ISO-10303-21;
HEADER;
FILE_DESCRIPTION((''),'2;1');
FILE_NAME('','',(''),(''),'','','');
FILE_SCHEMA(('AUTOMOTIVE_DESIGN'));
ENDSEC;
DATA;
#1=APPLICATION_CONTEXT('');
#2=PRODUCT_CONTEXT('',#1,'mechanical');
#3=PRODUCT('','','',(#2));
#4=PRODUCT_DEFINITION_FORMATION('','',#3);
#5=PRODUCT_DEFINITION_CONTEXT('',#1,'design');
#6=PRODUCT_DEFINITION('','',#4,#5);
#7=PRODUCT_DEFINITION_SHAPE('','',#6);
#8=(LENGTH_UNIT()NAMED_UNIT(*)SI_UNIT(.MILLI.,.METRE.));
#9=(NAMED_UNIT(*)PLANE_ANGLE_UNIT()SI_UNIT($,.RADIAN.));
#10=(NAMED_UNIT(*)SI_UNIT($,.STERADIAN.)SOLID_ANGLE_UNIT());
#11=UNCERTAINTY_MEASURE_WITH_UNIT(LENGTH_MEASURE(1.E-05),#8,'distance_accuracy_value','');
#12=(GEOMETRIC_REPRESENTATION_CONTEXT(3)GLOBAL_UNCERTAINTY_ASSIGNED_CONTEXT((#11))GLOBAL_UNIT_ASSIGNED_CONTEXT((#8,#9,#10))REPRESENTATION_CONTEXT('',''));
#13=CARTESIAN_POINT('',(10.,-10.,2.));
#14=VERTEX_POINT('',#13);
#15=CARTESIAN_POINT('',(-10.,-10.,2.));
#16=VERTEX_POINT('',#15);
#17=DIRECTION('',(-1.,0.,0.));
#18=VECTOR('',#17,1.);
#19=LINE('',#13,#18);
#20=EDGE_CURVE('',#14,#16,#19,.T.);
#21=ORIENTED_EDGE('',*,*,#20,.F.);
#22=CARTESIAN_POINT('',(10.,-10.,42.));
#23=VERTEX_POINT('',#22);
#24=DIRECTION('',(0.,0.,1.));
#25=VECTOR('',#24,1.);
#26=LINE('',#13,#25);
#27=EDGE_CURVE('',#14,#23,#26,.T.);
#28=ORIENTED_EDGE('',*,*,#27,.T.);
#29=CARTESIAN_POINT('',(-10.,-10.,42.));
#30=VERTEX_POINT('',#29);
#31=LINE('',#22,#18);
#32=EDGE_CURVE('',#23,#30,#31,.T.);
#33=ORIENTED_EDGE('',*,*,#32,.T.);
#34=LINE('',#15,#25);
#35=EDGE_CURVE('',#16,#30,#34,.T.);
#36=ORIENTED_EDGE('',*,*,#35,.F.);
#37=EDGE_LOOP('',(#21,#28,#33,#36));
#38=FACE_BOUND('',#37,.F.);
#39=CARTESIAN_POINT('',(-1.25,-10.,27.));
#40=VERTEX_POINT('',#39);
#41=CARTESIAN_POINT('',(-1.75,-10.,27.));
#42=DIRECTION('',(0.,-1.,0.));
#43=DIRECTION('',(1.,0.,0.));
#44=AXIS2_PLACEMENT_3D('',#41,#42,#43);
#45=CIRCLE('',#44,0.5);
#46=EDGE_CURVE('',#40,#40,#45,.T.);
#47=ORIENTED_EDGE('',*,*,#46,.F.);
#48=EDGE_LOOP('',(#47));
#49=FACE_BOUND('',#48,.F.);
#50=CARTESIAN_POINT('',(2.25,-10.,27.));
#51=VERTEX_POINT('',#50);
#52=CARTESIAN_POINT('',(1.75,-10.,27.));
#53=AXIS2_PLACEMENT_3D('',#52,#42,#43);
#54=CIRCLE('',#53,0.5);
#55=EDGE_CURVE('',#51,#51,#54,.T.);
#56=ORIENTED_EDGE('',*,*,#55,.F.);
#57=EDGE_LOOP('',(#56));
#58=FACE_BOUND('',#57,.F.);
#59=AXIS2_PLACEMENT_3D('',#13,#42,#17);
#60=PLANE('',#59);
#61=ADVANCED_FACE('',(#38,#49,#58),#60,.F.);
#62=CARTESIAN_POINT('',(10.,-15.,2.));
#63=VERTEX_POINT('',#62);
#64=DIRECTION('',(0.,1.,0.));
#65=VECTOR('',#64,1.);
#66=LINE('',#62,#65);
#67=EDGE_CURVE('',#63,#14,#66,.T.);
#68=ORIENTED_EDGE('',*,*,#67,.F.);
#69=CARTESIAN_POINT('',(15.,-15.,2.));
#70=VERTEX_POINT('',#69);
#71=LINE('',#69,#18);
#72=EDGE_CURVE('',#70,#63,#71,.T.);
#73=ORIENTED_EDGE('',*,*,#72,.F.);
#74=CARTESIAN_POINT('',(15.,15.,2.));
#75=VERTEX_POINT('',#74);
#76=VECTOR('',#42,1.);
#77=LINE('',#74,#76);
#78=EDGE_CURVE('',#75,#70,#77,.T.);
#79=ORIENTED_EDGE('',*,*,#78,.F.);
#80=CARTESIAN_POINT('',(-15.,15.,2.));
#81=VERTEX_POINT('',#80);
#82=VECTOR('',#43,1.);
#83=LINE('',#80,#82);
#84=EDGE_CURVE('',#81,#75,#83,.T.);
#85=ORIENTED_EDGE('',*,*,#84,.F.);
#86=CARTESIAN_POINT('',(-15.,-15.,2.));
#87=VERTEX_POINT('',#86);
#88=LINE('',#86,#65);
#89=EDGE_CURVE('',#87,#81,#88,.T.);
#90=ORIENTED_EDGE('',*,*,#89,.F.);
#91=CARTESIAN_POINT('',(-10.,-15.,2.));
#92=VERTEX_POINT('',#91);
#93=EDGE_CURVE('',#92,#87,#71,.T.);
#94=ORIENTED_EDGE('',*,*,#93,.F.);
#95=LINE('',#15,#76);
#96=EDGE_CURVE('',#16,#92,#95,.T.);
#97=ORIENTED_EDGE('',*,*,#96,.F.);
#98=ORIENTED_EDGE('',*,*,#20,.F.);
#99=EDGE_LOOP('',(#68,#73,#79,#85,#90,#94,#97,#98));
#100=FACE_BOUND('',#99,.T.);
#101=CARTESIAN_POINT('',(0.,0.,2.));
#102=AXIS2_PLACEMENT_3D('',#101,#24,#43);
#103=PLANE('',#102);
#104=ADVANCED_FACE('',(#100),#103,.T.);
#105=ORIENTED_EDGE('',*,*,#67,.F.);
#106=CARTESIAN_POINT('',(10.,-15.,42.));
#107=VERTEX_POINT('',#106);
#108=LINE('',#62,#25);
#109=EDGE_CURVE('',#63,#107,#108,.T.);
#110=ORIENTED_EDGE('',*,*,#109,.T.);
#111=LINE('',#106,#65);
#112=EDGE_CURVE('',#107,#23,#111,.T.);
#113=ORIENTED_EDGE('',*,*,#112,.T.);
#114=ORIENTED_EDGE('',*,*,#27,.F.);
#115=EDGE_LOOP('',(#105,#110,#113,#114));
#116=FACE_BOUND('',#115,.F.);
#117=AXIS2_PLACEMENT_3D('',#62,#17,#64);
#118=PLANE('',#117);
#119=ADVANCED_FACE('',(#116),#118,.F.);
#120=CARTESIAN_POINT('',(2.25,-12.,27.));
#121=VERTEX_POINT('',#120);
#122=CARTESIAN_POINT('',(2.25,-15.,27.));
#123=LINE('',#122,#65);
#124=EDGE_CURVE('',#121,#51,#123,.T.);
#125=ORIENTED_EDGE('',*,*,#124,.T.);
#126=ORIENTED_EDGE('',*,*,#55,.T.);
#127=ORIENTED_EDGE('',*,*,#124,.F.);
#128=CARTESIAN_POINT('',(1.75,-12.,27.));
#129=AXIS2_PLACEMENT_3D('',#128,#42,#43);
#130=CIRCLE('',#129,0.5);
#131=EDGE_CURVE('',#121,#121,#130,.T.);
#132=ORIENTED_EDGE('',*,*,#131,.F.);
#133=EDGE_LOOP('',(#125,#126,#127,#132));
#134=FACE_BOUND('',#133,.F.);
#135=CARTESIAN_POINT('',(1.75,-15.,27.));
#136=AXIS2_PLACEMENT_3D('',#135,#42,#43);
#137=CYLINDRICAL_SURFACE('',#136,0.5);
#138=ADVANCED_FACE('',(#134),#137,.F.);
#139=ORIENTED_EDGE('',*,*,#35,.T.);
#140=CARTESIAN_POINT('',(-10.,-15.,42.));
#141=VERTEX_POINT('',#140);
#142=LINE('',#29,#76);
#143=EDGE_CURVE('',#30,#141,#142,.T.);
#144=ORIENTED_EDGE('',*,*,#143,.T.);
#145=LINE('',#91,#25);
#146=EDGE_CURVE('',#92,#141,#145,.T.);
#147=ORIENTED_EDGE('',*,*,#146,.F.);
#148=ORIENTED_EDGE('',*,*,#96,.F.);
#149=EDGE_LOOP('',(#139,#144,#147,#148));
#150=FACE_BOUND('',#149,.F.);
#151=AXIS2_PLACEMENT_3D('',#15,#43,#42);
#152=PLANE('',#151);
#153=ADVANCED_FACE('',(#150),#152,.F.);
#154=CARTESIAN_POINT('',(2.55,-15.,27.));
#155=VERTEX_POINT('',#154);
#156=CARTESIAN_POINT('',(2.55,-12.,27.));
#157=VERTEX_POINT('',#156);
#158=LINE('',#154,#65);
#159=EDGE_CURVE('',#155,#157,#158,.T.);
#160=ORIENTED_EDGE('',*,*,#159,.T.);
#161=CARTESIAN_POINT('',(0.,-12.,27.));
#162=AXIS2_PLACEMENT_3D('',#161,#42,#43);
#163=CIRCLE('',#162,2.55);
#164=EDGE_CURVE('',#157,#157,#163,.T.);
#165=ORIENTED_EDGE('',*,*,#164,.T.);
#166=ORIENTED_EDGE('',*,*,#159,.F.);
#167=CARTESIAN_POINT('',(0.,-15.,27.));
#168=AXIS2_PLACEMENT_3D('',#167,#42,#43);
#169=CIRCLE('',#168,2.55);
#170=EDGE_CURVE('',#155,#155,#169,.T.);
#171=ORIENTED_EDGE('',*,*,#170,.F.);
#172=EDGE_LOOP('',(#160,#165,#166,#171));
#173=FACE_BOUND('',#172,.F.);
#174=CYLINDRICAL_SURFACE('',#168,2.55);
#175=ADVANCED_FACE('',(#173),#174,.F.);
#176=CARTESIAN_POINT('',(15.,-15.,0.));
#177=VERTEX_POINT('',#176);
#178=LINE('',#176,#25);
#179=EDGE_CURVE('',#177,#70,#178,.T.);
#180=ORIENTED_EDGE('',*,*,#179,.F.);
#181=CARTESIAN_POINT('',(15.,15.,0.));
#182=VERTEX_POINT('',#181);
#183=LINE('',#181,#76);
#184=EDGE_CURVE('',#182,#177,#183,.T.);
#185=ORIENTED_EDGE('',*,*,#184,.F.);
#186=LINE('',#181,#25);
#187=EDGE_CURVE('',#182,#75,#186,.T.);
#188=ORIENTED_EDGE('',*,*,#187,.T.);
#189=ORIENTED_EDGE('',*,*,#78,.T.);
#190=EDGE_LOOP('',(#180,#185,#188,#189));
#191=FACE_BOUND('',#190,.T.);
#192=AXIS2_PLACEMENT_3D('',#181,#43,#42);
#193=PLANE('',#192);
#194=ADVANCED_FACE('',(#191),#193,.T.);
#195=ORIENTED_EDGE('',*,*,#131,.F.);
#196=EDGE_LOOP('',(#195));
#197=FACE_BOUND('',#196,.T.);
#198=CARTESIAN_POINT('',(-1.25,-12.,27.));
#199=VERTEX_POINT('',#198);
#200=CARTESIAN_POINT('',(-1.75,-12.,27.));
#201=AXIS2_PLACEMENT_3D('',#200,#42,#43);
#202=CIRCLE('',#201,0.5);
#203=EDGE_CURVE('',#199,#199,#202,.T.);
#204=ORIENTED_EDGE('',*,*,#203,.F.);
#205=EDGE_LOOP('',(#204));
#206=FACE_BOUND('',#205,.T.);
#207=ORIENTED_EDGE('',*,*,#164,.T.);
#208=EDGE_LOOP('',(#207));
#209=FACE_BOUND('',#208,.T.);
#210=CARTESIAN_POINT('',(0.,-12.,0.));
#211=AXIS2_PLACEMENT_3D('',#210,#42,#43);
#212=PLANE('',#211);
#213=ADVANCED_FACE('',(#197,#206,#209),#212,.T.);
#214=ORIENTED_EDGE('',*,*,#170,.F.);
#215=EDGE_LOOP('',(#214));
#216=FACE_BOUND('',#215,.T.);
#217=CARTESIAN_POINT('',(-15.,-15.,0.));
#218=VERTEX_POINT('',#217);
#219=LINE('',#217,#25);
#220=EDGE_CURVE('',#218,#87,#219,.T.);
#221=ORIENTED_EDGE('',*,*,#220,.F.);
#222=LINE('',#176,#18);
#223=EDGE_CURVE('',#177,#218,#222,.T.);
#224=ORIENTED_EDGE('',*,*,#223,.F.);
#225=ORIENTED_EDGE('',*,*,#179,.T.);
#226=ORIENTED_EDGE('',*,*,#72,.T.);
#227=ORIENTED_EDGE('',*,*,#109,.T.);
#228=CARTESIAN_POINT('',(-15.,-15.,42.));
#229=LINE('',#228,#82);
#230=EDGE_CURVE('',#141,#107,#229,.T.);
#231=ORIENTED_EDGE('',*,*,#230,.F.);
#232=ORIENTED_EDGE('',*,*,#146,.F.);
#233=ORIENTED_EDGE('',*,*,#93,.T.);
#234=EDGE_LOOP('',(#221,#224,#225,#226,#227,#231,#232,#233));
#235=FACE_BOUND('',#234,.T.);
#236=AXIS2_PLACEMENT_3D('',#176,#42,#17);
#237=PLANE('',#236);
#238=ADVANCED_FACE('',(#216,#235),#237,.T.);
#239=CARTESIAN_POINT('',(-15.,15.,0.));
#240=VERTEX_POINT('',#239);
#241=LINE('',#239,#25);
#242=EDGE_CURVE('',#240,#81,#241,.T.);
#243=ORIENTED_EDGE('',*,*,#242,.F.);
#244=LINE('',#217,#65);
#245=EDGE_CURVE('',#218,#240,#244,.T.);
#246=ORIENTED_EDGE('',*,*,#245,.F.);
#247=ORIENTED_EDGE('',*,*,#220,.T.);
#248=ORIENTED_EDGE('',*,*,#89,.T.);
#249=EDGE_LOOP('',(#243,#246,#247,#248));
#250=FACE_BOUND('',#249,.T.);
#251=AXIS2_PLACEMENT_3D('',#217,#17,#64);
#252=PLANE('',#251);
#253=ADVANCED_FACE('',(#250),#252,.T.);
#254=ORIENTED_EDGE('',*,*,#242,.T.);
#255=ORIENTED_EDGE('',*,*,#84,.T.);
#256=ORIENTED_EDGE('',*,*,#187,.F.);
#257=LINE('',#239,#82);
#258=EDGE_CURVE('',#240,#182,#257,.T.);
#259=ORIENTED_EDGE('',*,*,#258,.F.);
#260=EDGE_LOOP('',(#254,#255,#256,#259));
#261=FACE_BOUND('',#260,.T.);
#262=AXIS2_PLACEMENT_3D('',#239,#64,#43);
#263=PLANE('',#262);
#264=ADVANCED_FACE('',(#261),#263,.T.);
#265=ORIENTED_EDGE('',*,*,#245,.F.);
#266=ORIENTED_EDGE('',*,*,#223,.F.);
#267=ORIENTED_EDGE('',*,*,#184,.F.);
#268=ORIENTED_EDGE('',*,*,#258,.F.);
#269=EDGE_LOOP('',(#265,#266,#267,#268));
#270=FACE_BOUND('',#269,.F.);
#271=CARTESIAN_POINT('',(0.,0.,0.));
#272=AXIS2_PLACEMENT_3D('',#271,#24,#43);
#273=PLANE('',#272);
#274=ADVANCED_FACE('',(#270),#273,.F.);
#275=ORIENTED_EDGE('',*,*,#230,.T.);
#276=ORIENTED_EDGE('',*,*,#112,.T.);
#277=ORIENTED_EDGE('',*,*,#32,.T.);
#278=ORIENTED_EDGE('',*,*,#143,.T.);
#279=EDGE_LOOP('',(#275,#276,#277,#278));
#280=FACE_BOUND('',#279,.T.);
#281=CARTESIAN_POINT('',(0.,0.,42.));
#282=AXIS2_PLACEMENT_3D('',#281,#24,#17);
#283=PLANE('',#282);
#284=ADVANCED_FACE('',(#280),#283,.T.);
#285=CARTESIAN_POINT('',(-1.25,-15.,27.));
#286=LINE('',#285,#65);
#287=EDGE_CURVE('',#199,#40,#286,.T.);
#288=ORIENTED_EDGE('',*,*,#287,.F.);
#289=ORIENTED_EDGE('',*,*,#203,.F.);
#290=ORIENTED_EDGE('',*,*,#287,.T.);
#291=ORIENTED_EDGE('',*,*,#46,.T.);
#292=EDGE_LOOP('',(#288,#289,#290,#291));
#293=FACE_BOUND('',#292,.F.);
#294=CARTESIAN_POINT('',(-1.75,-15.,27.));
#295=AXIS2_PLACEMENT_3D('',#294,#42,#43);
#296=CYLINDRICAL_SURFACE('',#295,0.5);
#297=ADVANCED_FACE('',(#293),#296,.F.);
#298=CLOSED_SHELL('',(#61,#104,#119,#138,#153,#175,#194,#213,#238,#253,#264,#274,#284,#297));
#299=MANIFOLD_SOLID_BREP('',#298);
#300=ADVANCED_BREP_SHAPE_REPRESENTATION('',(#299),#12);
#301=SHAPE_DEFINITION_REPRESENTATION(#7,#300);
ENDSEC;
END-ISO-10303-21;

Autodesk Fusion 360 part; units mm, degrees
sketch "Sketch1" plane through (0, 0, 0) normal (0, 0, 1) x (1, 0, 0)
  line L0 (15, -15) -> (-15, -15)
  line L1 (-15, -15) -> (-15, 15)
  line L2 (-15, 15) -> (15, 15)
  line L3 (15, 15) -> (15, -15)
  line L4 (15, -15) -> (-15, 15) construction
  line L5 (-15, -15) -> (15, 15) construction
  dimension "d1" = 30
  dimension "d2" = 30
extrude "Extrude1" add sketch "Sketch1" along normal blind 2 makes body 1
sketch "Sketch2" plane through (0, 0, 2) normal (0, 0, 1) x (-1, 0, 0)
  line L0 (-15, -15) -> (15, -15)
  line L1 (15, -15) -> (15, 15)
  line L2 (15, 15) -> (-15, 15)
  line L3 (-15, 15) -> (-15, -15)
  line L4 (15, 15) -> (10, 15) construction
  line L5 (10, 15) -> (10, 10) construction
  line L6 (10, 10) -> (15, 10) construction
  line L7 (15, 10) -> (15, 15) construction
  line L8 (-15, 15) -> (-10, 15) construction
  line L9 (-10, 15) -> (-10, 10) construction
  line L10 (-10, 10) -> (-15, 10) construction
  line L11 (-15, 10) -> (-15, 15) construction
  line L12 (10, 15) -> (-10, 15)
  line L13 (-10, 15) -> (-10, 10)
  line L14 (-10, 10) -> (10, 10)
  line L15 (10, 10) -> (10, 15)
  dimension "d5" = 5
  dimension "d6" = 5
  dimension "d7" = 5
  dimension "d8" = 5
extrude "Extrude2" add sketch "Sketch2" along normal blind 40 contours L2 L12 L13 L14 L15 bodies 1
sketch "Sketch3" plane through (0, -15, 0) normal (0, -1, 0) x (1, 0, 0)
  line L0 (-15, 0) -> (15, 0)
  line L1 (15, 0) -> (15, 2)
  line L2 (15, 2) -> (10, 2)
  line L3 (10, 2) -> (10, 42)
  line L4 (10, 42) -> (-10, 42)
  line L5 (-10, 42) -> (-10, 2)
  line L6 (-10, 2) -> (-15, 2)
  line L7 (-15, 2) -> (-15, 0)
  line L8 (10, 2) -> (0, 2) construction
  line L9 (0, 2) -> (0, 27) construction
  line L10 (0, 27) -> (10, 27) construction
  line L11 (10, 27) -> (10, 2) construction
  circle A0 centre (0, 27) radius 2.55
  dimension "d11" = 10
  dimension "d12" = 25
  dimension "d13" = 5.1
sketch "Sketch4" plane through (0, -15, 0) normal (0, -1, 0) x (1, 0, 0)
  line L0 (-15, 0) -> (15, 0)
  line L1 (15, 0) -> (15, 2)
  line L2 (15, 2) -> (10, 2)
  line L3 (10, 2) -> (10, 42)
  line L4 (10, 42) -> (-10, 42)
  line L5 (-10, 42) -> (-10, 2)
  line L6 (-10, 2) -> (-15, 2)
  line L7 (-15, 2) -> (-15, 0)
  line L8 (0, 27) -> (1.75, 27) construction
  line L9 (0, 27) -> (-1.75, 27) construction
  circle A0 centre (1.75, 27) radius 0.5
  circle A1 centre (-1.75, 27) radius 0.5
  point P0 (0, 27)
  dimension "d14" = 1.75
  dimension "d15" = 1.75
  dimension "d16" = 1
  dimension "d17" = 1
extrude "Extrude3" cut sketch "Sketch4" against normal up to surface (5 mm away) contours A0 | A1 bodies 1
extrude "Extrude4" cut sketch "Sketch3" against normal blind 3 contours A0 bodies 1
copy_body "Body->Comp1" bodies 1 removing the originals makes body 2 in component "Detector_Holder"
component "Detector_Holder" placed x (1, 0, 0) y (0, 1, 0) z (0, 0, 1) at (0, 0, 0)
